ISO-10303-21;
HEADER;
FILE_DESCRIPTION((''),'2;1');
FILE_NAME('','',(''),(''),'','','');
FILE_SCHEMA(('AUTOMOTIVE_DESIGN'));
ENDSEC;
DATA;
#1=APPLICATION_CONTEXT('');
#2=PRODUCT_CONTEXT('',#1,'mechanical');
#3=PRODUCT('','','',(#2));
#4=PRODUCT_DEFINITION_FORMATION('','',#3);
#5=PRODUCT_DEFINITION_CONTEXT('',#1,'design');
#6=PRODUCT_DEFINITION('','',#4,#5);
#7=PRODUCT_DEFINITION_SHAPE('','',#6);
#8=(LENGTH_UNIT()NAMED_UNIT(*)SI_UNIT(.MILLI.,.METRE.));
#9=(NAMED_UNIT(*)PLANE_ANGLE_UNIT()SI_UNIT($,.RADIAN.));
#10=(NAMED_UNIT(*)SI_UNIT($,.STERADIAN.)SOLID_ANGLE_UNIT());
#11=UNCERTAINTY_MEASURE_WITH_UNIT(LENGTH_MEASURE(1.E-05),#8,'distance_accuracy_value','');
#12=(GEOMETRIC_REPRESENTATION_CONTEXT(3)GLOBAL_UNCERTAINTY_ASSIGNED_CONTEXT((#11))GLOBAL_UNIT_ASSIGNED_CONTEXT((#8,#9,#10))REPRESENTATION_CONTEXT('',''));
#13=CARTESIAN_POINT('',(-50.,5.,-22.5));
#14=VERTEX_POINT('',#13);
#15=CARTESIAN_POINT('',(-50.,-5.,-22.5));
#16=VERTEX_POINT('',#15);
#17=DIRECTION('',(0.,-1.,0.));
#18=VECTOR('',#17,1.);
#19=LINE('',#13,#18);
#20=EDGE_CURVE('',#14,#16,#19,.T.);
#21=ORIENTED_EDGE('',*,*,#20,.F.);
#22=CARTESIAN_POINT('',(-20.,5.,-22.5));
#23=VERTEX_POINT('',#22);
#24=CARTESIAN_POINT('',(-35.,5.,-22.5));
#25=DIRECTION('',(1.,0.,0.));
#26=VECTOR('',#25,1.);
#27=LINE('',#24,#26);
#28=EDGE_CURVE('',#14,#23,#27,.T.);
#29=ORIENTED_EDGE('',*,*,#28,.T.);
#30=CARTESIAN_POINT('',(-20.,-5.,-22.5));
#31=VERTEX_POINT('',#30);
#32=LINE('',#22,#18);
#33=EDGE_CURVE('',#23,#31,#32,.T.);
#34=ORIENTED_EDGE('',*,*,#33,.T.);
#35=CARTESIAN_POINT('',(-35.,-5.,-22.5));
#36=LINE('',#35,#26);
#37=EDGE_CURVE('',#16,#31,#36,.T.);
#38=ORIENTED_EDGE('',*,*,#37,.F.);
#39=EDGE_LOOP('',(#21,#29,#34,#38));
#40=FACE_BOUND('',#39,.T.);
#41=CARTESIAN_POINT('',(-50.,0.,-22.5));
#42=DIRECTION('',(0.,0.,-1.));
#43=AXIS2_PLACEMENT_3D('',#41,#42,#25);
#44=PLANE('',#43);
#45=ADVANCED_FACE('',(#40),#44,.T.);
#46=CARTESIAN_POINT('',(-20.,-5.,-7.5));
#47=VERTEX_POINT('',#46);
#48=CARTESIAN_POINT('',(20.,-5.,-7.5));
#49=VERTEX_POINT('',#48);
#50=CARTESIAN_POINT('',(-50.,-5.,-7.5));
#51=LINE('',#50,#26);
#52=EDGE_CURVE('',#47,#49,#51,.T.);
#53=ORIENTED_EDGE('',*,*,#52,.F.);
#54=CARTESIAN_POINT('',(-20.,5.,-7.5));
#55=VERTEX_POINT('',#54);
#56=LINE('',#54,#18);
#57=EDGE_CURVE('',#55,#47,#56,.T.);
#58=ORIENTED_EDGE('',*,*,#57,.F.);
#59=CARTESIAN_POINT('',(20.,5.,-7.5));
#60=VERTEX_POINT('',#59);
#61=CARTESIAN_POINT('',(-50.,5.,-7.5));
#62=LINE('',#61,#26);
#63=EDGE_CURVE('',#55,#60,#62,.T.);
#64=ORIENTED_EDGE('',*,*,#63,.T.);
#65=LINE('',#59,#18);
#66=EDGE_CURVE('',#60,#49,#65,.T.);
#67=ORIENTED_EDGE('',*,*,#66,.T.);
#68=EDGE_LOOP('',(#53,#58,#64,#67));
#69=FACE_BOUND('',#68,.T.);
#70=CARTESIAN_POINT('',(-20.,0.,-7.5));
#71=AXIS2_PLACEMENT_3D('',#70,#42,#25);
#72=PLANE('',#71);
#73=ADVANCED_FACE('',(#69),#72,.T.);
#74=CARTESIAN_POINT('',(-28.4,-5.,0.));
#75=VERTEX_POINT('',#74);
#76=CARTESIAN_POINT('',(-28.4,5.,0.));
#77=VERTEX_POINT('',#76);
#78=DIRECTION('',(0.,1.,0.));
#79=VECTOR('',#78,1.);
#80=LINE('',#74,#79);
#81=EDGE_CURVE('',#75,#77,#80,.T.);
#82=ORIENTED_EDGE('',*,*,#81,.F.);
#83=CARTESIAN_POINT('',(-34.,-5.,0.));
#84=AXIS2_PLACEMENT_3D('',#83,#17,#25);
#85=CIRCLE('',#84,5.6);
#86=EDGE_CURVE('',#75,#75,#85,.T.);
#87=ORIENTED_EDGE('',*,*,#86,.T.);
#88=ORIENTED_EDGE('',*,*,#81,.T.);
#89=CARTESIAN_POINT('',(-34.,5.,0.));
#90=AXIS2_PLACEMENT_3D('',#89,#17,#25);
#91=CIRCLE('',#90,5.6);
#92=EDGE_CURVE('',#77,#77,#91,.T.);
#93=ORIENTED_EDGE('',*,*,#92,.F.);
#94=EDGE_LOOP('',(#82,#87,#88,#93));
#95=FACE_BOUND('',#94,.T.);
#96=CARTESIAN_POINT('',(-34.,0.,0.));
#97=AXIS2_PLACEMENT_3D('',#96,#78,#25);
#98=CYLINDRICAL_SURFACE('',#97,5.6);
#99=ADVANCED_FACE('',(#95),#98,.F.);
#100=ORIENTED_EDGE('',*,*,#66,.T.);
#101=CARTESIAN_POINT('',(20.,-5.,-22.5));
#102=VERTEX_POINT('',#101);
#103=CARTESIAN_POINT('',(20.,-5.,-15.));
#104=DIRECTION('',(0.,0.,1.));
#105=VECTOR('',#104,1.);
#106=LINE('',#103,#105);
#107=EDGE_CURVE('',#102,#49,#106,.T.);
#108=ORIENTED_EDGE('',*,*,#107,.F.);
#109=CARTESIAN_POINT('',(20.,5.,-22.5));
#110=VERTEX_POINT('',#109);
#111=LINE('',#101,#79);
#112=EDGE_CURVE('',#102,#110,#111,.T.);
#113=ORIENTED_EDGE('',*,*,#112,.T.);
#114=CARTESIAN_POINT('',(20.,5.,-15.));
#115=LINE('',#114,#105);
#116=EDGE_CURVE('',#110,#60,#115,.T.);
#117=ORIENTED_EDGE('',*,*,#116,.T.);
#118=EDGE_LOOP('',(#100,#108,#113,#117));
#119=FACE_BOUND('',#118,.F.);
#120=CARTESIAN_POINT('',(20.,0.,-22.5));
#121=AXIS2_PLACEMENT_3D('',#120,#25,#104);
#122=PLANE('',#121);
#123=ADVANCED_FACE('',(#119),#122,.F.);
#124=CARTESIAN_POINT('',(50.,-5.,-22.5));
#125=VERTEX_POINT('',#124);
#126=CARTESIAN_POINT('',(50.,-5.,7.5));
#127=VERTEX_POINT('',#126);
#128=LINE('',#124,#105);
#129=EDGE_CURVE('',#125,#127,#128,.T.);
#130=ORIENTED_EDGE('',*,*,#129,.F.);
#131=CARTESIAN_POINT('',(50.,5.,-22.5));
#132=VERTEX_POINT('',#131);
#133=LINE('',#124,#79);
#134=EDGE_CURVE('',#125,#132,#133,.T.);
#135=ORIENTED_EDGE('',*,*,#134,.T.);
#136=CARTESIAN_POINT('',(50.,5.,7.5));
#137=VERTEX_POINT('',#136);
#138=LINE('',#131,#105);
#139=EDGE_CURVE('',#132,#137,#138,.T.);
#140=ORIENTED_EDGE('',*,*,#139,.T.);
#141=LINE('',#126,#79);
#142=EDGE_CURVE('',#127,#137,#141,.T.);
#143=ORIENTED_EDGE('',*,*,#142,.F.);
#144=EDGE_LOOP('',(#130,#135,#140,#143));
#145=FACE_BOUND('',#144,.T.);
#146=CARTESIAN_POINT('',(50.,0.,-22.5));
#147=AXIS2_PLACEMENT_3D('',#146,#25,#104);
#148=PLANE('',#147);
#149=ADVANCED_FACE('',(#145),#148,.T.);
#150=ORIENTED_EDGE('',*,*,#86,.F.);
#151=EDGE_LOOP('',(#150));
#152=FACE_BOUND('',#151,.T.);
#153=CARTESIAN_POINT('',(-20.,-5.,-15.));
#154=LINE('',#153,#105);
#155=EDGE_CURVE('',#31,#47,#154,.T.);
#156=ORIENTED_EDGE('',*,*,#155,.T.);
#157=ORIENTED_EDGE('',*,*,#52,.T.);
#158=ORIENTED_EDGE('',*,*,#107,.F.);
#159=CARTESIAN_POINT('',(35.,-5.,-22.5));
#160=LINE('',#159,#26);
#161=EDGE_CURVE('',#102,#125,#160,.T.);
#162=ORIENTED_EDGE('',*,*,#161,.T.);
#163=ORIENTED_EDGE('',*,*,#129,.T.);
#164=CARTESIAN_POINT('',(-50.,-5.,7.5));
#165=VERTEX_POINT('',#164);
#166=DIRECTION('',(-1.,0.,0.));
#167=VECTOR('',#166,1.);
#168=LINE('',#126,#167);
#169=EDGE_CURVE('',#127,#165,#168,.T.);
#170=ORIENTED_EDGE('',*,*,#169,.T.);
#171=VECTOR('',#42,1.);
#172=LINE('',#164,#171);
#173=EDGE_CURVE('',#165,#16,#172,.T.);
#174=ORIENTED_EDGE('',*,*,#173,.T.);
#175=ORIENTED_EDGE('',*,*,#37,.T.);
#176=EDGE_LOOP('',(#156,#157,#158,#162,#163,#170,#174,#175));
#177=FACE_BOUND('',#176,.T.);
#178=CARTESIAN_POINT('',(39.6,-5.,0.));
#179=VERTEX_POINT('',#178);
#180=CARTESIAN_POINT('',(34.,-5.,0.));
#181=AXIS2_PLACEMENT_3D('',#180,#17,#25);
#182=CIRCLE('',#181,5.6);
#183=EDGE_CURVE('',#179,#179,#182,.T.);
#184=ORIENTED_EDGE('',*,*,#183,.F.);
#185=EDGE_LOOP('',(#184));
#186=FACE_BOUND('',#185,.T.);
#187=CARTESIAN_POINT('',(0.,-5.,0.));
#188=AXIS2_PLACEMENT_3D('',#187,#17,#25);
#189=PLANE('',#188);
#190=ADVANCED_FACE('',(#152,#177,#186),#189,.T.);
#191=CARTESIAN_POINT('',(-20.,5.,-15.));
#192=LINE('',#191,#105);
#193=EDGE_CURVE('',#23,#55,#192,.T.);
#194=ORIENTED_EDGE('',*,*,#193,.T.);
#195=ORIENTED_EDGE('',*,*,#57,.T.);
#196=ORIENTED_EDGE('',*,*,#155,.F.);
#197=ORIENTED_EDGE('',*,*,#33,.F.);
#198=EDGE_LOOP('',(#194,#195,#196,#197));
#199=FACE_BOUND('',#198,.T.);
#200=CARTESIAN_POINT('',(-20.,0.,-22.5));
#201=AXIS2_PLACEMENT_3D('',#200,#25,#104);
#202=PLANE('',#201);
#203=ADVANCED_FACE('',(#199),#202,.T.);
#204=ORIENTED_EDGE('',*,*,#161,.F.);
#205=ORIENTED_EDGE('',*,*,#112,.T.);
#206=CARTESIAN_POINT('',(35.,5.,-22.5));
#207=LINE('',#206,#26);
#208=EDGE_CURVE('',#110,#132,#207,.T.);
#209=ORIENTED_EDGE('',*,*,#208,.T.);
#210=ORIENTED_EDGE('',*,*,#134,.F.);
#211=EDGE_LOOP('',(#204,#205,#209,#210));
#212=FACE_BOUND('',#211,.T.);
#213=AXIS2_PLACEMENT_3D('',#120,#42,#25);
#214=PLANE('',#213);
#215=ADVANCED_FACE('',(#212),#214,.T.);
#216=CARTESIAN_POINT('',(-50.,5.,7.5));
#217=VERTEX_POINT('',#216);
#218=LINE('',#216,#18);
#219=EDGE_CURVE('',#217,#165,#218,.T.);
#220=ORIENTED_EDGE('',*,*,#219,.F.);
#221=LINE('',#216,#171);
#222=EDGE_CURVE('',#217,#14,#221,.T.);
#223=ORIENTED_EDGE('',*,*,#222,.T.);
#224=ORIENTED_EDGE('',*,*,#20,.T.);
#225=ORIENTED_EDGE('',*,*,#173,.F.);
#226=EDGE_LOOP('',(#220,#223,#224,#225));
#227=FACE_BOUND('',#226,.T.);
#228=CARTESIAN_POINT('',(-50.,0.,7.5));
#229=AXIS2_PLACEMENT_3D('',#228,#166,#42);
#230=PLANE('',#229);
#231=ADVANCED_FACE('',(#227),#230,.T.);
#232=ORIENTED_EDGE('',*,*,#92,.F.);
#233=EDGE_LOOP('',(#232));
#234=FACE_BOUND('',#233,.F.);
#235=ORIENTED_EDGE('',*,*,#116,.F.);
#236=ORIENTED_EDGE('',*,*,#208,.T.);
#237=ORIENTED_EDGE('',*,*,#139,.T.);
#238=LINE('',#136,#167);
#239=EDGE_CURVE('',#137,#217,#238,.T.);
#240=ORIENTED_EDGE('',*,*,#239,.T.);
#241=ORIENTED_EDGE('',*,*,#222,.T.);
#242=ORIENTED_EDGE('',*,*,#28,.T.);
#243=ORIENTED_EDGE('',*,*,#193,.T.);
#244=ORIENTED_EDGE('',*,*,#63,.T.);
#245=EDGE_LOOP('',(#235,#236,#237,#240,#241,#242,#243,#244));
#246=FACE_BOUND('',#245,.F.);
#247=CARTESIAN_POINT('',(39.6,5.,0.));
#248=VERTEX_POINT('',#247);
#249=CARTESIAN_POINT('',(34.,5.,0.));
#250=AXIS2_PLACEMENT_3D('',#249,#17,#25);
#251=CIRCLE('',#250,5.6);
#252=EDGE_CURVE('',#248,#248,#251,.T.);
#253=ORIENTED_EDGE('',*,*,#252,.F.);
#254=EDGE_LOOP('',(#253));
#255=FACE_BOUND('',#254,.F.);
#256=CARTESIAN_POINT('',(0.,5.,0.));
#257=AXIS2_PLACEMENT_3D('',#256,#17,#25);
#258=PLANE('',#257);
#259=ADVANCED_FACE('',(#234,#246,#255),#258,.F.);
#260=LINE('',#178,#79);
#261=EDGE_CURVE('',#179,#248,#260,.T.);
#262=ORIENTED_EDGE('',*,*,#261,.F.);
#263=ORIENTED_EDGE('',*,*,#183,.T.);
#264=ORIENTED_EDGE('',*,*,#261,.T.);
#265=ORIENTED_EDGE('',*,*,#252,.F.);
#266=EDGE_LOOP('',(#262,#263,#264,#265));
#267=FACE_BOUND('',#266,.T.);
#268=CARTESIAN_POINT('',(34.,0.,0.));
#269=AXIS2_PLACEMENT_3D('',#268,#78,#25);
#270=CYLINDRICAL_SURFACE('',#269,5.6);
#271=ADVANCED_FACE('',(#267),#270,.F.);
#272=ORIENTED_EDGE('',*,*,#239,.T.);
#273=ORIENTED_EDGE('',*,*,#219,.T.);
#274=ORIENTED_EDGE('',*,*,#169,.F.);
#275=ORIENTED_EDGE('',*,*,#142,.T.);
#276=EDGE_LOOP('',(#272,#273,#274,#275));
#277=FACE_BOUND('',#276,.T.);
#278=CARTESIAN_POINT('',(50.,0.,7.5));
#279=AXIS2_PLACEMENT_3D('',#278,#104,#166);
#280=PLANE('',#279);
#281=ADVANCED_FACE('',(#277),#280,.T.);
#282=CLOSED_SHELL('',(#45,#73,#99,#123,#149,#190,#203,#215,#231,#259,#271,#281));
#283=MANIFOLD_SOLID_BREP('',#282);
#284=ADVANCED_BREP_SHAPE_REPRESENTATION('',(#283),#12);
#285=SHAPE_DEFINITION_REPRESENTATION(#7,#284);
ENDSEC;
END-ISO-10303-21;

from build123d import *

# Parameters (mm, degrees)
F0_R     = 5.6
F0_W     = 30
F0_H     = 15
F1_DEPTH = 5


with BuildPart() as f1:
    # F0 (on Front) → F1 (new body, symmetric)
    with BuildSketch(Plane.XZ):
        Polygon((50, 7.5), (-50, 7.5), (-50, -7.5), (-20, -7.5), (20, -7.5), (50, -7.5), align=None)
        with Locations((-34, 0)):
            Circle(F0_R, mode=Mode.SUBTRACT)
        with Locations((34, 0)):
            Circle(F0_R, mode=Mode.SUBTRACT)
        with Locations((-35, -15)):
            Rectangle(F0_W, F0_H)
        with Locations((35, -15)):
            Rectangle(F0_W, F0_H)
    extrude(amount=F1_DEPTH, both=True)


solid = f1.part
